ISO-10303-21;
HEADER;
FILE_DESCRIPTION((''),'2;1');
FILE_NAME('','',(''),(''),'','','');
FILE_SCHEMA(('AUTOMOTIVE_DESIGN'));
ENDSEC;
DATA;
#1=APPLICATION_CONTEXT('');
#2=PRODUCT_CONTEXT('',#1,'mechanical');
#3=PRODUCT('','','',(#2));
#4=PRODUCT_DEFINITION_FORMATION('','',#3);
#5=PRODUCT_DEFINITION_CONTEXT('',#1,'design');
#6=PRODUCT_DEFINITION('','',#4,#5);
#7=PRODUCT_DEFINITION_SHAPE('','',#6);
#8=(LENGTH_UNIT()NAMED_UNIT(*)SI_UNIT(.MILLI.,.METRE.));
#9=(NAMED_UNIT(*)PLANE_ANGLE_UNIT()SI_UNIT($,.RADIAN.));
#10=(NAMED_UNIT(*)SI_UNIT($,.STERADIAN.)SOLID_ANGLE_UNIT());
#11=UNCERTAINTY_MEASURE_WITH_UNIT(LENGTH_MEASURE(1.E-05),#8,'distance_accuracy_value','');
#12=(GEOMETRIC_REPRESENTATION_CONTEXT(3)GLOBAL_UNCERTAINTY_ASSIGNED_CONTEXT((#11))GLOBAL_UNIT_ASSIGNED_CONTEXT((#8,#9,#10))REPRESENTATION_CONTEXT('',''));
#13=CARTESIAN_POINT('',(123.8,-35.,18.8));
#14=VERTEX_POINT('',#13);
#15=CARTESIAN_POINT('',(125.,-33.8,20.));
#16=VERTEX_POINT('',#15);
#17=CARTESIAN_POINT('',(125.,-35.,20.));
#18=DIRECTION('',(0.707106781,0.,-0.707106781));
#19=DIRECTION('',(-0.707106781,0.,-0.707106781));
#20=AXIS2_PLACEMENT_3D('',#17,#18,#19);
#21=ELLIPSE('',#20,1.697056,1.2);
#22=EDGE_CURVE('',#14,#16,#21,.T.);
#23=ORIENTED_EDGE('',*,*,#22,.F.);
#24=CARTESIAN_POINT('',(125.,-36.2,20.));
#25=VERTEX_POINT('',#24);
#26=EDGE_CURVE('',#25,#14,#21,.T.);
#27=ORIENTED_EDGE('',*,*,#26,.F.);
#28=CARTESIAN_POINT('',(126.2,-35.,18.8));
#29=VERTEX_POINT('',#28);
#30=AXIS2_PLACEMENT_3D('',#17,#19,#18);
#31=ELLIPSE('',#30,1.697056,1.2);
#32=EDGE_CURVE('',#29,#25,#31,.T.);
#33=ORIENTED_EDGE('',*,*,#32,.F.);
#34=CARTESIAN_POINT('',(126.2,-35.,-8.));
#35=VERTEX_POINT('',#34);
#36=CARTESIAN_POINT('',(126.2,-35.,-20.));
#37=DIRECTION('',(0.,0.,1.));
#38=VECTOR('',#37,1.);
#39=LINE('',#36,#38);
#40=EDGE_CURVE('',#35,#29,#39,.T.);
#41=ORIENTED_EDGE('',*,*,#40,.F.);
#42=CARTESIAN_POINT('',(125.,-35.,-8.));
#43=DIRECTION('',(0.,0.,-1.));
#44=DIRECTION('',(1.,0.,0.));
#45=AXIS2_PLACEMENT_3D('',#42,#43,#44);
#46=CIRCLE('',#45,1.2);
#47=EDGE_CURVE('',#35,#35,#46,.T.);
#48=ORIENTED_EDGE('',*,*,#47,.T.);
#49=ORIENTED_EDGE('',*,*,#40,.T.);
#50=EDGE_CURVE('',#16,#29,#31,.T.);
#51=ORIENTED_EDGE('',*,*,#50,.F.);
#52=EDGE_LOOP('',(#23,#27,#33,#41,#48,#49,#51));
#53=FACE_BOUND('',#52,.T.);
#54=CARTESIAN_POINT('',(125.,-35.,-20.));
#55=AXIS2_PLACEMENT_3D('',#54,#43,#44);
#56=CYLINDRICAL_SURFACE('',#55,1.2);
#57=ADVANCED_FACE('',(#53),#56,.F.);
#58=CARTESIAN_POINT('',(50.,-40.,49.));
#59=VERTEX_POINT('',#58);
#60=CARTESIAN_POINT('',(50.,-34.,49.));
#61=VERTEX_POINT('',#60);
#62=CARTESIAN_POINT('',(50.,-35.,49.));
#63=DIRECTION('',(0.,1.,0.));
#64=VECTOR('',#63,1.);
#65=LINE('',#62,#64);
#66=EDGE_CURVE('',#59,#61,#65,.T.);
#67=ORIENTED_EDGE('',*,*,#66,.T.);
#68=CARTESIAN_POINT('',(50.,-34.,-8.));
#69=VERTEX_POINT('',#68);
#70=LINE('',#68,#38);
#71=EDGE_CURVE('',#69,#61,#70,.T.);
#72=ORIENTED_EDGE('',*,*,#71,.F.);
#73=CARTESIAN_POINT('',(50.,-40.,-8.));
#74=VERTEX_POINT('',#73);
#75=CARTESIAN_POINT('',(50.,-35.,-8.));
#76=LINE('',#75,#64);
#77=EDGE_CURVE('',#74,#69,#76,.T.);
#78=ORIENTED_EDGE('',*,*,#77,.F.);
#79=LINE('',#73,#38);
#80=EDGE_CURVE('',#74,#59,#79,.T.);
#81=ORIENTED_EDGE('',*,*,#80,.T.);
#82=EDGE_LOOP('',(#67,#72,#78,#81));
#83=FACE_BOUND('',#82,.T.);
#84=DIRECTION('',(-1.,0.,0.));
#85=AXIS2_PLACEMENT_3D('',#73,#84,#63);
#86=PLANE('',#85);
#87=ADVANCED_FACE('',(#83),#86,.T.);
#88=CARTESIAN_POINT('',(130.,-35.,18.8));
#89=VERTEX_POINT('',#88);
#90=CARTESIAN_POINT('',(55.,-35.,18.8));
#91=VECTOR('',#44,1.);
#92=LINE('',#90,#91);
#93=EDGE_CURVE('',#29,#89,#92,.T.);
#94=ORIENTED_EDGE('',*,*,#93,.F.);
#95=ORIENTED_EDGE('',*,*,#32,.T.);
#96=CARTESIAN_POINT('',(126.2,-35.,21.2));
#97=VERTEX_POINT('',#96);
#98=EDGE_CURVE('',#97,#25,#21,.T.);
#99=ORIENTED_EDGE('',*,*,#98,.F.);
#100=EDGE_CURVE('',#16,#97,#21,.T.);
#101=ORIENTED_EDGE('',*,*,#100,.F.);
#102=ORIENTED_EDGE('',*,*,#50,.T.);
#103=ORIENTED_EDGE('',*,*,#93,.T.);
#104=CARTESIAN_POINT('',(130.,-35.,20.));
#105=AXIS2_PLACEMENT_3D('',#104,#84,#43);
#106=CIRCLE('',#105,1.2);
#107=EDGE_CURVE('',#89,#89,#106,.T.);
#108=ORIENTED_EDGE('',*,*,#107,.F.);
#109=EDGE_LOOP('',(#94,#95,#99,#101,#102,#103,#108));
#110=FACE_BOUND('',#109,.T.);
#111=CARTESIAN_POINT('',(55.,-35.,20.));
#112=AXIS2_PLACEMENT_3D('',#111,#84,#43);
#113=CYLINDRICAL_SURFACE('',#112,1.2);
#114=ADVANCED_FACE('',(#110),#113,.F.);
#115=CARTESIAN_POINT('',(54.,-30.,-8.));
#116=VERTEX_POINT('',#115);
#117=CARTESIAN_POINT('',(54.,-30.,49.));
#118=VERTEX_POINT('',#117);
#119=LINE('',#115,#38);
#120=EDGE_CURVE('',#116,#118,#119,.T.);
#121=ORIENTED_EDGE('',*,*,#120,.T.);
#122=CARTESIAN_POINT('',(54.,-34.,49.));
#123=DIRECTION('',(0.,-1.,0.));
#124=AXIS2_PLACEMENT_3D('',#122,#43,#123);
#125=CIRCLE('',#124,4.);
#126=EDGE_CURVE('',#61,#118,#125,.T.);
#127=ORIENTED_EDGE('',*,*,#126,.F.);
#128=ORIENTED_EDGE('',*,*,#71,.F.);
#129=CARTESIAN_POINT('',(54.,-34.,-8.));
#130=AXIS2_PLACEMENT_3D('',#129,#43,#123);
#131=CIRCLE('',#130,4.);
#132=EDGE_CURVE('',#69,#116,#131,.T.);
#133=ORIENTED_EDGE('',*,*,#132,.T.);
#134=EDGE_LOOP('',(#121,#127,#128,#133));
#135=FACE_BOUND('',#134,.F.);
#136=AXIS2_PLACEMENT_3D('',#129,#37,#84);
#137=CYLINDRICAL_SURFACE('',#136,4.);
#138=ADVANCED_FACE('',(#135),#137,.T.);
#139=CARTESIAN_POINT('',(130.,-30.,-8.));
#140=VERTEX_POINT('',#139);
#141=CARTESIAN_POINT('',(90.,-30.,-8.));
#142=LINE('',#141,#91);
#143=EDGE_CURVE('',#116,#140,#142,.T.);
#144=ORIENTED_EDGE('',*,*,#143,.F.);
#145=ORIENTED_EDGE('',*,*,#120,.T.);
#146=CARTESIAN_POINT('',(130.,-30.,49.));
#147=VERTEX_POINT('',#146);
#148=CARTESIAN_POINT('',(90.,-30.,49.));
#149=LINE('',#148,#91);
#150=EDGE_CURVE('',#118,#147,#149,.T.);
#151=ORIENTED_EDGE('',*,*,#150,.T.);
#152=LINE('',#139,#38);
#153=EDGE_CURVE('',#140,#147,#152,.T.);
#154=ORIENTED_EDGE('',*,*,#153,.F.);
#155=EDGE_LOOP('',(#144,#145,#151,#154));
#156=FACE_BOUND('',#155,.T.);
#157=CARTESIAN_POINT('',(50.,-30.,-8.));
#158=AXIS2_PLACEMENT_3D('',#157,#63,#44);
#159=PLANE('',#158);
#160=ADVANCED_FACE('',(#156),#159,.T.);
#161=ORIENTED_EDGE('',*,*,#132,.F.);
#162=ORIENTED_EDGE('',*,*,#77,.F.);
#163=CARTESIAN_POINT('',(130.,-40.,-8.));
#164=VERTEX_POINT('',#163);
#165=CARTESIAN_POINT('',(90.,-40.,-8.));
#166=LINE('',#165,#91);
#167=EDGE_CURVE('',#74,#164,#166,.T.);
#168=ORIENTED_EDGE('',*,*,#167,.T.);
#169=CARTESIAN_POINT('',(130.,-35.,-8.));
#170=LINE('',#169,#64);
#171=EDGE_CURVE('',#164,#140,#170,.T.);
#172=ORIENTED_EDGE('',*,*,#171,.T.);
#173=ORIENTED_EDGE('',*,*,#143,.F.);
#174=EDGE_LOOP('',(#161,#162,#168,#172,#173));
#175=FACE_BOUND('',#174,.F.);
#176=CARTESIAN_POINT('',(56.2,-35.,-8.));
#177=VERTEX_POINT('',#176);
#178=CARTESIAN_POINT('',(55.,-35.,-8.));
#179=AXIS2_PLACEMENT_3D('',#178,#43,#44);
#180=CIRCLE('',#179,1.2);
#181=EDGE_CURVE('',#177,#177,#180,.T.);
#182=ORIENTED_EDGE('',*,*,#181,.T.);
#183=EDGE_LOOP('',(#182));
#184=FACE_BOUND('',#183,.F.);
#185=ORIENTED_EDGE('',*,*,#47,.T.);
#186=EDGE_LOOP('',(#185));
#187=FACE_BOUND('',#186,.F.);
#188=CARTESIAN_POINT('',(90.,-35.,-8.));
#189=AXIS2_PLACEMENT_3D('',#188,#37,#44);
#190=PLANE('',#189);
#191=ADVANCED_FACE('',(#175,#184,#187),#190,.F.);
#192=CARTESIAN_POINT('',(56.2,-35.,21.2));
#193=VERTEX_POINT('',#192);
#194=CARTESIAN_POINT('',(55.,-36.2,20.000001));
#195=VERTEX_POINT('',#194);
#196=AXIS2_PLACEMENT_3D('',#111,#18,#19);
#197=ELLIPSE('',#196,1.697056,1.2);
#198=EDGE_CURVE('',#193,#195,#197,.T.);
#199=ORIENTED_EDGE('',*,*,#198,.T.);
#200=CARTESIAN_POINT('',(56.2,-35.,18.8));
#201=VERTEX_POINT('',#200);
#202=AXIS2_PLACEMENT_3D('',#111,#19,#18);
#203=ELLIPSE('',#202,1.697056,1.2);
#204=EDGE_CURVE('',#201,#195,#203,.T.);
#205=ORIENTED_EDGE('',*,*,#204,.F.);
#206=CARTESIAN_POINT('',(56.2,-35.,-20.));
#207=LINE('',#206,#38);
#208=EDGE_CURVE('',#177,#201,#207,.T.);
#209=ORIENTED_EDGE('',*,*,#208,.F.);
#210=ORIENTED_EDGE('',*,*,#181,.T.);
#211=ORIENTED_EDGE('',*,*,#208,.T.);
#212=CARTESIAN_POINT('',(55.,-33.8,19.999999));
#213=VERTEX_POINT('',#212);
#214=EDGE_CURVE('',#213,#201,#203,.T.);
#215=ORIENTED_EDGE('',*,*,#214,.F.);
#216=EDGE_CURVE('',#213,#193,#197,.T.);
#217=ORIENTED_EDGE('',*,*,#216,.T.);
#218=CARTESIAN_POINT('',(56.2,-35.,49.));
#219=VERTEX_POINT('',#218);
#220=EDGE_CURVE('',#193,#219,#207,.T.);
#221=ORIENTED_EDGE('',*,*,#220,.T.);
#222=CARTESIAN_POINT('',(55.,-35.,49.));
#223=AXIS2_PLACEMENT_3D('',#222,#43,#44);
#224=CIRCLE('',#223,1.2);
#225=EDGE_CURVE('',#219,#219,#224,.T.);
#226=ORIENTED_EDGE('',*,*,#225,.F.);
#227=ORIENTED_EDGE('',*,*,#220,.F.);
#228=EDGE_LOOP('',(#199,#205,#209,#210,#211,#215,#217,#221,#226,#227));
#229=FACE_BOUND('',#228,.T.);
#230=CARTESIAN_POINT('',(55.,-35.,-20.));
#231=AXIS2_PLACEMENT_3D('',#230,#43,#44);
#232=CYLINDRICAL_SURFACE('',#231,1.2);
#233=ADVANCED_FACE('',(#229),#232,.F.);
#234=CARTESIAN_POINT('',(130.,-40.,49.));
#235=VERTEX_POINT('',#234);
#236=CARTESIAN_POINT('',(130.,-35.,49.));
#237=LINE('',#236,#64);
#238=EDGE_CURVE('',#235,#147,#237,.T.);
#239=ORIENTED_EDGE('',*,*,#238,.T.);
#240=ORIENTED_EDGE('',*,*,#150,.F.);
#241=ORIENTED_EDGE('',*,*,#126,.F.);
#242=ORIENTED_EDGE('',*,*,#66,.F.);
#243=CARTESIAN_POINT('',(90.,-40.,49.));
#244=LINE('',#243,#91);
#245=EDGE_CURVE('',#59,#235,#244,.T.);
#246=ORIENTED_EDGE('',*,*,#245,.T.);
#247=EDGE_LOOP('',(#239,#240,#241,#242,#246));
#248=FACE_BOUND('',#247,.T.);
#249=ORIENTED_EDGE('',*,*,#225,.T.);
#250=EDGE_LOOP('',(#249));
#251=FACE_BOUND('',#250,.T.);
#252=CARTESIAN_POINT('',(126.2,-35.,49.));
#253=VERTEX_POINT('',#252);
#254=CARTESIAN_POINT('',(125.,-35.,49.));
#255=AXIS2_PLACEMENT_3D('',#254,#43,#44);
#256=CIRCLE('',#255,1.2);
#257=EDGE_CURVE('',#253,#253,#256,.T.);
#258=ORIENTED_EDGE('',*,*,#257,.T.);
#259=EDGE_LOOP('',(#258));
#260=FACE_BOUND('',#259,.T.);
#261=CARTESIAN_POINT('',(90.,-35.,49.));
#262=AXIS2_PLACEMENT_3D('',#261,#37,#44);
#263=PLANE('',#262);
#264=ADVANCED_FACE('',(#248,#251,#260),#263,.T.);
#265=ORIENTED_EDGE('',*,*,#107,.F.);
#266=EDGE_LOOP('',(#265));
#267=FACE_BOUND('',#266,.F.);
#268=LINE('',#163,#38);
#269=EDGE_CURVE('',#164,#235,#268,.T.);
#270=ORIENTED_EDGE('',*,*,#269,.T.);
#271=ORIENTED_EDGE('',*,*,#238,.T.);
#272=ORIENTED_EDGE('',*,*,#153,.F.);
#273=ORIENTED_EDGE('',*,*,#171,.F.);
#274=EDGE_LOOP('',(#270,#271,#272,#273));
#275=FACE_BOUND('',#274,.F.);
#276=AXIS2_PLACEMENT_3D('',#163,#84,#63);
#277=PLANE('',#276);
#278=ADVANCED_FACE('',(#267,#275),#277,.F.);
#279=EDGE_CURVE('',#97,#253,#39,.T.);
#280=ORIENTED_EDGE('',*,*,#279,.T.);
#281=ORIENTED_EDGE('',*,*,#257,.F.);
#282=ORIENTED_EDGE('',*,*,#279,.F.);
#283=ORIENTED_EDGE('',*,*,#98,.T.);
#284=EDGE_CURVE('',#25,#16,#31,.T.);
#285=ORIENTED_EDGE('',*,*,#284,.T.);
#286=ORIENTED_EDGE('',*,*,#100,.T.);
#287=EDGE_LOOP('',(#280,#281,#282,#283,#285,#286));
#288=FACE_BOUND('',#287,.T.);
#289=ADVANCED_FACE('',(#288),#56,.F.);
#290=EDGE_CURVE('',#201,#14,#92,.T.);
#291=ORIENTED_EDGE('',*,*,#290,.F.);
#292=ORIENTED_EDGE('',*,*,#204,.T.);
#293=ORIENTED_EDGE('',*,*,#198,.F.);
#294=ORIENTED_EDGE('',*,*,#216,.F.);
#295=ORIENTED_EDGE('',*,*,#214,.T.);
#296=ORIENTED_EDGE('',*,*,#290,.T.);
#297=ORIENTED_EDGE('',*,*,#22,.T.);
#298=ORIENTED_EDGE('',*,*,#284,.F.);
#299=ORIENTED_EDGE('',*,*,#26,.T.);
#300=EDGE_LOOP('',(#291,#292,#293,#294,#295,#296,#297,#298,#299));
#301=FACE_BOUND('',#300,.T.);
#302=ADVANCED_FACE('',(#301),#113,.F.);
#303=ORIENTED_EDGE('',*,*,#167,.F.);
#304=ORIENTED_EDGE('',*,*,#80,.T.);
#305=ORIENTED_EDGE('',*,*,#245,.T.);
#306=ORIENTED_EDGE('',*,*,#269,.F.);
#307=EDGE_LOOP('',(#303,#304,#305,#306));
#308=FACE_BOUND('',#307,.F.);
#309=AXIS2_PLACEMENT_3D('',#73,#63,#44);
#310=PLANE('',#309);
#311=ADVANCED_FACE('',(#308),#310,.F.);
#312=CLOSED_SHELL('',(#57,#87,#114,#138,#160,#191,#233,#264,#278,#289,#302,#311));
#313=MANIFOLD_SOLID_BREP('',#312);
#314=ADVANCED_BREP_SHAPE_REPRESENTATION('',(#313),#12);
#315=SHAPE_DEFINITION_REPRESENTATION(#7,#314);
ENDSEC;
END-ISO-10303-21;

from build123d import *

# Parameters (mm, degrees)
CYLINDER107_R     = 1.2
CYLINDER107_DEPTH = 100
CYLINDER110_R     = 1.2
CYLINDER110_DEPTH = 100
CYLINDER108_R     = 1.2
CYLINDER108_DEPTH = 100
BOX038_W          = 80
BOX038_H          = 10
BOX038_DEPTH      = 57
FILLET015_R       = 4


with BuildPart() as screwhole055:
    # Cylinder107 → Cylinder107 (new body)
    with BuildSketch(Plane(origin=(125, -35, -20), x_dir=(1, 0, 0), z_dir=(0, 0, 1))):
        Circle(CYLINDER107_R)
    extrude(amount=CYLINDER107_DEPTH)


with BuildPart() as screwhole058:
    # Cylinder110 → Cylinder110 (new body)
    with BuildSketch(Plane(origin=(55, -35, 20), x_dir=(0, 0, -1), z_dir=(1, 0, 0))):
        Circle(CYLINDER110_R)
    extrude(amount=CYLINDER110_DEPTH)


with BuildPart() as fusion001002012030037:
    # Cylinder108 → Cylinder108 (new body)
    with BuildSketch(Plane(origin=(55, -35, -20), x_dir=(1, 0, 0), z_dir=(0, 0, 1))):
        Circle(CYLINDER108_R)
    extrude(amount=CYLINDER108_DEPTH)

    # Fusion001002012030037: union ScrewHole055, ScrewHole058
    add(screwhole055.part)
    add(screwhole058.part)


with BuildPart() as side001:
    # Box038 → Box038 (new body)
    with BuildSketch(Plane(origin=(50, -40, -8), x_dir=(1, 0, 0), z_dir=(0, 0, 1))):
        with Locations((40, 5)):
            Rectangle(BOX038_W, BOX038_H)
    extrude(amount=BOX038_DEPTH)

    # Fillet015
    fillet015_edges = [side001.edges().sort_by_distance(p)[0] for p in [
        (50, -30, 20.5),
    ]]
    fillet(fillet015_edges, radius=FILLET015_R)

    # Cut015017007031: cut Fusion001002012030037
    add(fusion001002012030037.part, mode=Mode.SUBTRACT)


solid = side001.part
